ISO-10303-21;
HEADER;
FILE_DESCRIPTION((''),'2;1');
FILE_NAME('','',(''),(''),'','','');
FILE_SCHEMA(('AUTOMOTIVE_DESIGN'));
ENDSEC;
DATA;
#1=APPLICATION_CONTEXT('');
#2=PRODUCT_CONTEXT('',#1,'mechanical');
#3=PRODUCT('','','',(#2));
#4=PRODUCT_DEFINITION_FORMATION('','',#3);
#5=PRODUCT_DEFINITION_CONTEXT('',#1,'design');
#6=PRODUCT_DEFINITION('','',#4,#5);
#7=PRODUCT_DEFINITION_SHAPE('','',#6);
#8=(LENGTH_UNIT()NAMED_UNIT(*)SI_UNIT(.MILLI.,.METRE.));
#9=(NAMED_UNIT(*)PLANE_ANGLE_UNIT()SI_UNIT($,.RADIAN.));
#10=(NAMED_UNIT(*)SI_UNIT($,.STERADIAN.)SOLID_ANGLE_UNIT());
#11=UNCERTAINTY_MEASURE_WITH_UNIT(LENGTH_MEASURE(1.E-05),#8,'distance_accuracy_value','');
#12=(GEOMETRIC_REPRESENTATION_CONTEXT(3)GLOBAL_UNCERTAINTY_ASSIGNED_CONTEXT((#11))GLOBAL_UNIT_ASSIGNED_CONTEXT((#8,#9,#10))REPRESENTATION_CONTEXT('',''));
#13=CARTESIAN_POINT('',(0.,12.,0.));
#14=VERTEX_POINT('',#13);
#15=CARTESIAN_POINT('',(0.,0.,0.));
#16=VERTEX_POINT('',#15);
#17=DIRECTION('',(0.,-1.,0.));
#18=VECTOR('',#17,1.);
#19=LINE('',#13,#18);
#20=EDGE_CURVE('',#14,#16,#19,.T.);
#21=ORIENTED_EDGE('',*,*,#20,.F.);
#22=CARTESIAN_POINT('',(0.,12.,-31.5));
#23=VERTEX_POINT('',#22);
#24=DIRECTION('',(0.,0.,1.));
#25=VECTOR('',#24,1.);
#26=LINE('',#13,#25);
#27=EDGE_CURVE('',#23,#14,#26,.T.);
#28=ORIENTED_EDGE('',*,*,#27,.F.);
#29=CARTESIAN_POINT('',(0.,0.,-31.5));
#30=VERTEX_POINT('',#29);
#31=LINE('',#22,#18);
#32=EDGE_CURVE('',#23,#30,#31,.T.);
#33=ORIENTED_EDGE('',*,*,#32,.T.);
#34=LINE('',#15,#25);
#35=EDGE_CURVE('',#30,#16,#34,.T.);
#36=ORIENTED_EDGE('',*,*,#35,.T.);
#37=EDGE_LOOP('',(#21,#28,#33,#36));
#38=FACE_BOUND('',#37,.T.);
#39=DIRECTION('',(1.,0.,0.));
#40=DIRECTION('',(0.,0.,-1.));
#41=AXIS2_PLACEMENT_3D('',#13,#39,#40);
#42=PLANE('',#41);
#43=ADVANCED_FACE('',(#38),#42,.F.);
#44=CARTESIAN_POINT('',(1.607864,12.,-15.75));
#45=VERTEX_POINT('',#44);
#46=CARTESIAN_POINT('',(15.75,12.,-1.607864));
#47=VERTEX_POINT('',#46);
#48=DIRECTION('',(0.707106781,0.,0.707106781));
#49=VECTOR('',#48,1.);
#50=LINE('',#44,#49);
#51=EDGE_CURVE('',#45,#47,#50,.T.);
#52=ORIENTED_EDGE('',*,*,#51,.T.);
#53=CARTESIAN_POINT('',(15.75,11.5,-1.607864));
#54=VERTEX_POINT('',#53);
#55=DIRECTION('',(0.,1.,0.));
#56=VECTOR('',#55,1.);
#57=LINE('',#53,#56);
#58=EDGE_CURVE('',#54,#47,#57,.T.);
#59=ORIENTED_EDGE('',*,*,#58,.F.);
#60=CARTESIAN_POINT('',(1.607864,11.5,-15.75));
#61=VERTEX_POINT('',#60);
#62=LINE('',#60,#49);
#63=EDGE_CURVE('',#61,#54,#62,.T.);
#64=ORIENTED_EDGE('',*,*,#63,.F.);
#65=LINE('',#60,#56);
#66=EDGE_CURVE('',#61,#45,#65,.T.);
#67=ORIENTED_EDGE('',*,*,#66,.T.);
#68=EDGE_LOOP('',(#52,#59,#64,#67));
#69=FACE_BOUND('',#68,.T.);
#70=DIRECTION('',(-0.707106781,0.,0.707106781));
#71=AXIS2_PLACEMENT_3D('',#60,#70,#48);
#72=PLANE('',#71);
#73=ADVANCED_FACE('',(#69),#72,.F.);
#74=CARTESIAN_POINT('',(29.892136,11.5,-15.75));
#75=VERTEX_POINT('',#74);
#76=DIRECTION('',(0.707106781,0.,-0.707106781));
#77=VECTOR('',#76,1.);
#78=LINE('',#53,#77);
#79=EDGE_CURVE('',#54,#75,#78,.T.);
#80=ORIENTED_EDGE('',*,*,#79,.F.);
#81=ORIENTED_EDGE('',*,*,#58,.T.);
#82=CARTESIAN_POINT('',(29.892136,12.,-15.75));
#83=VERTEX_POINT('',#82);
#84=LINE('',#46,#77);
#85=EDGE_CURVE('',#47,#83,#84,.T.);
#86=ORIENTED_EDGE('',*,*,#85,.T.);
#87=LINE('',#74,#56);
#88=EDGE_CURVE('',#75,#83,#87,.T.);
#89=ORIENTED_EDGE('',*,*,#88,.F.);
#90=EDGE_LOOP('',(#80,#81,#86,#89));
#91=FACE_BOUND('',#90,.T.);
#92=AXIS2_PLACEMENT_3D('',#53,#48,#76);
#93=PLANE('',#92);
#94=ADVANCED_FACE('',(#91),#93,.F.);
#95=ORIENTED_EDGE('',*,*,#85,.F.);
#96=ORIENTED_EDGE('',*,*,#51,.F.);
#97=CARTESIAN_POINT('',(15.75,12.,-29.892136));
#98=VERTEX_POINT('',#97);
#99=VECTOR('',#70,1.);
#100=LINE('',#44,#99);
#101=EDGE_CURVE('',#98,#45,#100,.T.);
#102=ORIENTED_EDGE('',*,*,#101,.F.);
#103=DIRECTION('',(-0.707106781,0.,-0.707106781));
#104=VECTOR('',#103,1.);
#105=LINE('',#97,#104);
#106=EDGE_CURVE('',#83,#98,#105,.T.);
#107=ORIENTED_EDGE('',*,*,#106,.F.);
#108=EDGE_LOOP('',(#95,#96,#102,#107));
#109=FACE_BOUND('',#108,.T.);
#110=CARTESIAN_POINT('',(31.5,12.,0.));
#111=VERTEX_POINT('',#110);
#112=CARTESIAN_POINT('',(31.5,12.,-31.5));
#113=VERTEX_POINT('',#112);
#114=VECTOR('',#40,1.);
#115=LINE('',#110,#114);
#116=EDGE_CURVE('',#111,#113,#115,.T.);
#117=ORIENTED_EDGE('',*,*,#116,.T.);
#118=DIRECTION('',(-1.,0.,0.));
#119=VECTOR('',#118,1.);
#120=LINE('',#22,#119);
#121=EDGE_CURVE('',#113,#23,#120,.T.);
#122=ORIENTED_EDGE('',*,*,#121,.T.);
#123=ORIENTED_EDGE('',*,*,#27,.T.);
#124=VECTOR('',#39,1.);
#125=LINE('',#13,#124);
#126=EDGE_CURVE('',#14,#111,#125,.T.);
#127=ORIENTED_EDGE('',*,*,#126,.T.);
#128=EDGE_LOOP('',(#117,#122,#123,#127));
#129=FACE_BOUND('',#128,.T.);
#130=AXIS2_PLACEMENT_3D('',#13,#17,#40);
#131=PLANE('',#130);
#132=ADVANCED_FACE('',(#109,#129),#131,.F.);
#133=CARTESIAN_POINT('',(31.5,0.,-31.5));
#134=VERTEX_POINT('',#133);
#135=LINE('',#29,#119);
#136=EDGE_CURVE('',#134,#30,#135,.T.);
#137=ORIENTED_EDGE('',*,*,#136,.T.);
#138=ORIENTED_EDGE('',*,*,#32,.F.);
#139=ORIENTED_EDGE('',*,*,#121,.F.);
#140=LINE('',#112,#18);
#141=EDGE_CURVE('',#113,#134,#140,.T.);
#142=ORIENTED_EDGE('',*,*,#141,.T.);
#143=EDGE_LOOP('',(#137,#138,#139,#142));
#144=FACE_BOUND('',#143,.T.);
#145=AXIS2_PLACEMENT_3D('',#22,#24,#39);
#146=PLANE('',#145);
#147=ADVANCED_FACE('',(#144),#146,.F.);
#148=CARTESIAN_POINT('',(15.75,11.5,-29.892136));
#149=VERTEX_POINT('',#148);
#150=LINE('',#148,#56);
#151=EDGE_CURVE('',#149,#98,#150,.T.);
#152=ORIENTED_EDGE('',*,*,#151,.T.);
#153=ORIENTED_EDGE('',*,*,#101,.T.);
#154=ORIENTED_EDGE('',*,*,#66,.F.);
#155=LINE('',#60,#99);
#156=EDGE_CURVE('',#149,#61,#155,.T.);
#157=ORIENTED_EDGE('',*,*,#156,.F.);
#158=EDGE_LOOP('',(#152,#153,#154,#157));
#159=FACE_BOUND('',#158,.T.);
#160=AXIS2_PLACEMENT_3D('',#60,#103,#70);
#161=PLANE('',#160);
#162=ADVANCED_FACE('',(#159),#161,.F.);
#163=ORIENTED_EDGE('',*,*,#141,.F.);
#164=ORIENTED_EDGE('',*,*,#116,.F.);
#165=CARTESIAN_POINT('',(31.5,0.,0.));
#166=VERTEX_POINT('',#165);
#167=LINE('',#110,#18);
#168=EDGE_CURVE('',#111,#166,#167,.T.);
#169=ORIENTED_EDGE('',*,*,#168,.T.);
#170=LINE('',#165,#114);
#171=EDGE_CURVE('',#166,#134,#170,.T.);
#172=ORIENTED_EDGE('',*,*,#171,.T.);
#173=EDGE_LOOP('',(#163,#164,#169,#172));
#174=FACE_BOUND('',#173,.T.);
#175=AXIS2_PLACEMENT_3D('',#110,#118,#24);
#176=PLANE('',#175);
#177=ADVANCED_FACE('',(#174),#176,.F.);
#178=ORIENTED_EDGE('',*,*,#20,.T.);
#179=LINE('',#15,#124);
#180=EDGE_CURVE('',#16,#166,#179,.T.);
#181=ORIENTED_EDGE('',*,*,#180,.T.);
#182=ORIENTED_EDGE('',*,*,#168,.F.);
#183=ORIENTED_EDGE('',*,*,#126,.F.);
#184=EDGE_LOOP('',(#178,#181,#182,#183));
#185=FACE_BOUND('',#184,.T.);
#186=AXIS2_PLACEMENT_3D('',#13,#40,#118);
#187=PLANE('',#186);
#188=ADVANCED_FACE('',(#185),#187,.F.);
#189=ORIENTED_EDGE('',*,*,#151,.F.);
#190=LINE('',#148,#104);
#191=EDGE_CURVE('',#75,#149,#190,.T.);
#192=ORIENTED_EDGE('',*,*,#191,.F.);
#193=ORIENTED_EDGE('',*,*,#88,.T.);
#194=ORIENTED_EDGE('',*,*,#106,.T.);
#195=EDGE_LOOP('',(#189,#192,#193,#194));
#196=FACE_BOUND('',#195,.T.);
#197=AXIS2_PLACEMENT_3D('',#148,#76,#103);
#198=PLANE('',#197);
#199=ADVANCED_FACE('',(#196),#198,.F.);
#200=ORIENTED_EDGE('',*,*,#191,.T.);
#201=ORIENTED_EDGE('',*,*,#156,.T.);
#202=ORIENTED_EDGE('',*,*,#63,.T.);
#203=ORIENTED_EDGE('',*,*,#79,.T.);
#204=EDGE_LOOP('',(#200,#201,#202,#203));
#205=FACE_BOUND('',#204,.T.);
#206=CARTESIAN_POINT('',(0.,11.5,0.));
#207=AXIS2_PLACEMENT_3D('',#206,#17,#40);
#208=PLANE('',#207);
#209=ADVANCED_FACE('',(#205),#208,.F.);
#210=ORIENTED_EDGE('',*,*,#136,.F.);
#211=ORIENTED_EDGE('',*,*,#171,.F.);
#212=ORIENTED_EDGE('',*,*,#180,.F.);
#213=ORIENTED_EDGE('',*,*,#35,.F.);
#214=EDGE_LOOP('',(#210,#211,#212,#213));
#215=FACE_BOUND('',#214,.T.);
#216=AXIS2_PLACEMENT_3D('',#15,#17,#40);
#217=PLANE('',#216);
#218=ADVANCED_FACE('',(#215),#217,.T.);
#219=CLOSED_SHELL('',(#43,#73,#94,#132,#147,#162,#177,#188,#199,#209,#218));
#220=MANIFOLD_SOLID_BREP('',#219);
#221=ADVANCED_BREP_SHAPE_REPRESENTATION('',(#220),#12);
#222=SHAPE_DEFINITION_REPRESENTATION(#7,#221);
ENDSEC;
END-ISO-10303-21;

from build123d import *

# Parameters (mm, degrees)
SKETCH1_W           = 31.5
SKETCH1_H           = 31.5
BOSS_EXTRUDE1_DEPTH = 12
CUT_EXTRUDE1_DEPTH  = 0.5


with BuildPart() as part:
    # Sketch1 → Boss-Extrude1 (new body)
    with BuildSketch(Plane(origin=(0, 0, 0), x_dir=(1, 0, 0), z_dir=(0, 1, 0))):
        with Locations((15.75, 15.75)):
            Rectangle(SKETCH1_W, SKETCH1_H)
    extrude(amount=BOSS_EXTRUDE1_DEPTH)

    # Sketch3 → Cut-Extrude1 (cut)
    with BuildSketch(Plane(origin=(0, 12, 0), x_dir=(1, 0, 0), z_dir=(0, 1, 0))):
        Polygon((1.607864376, 15.75), (15.75, 1.607864376), (29.892135624, 15.75), (15.75, 29.892135624), align=None)
    extrude(amount=-CUT_EXTRUDE1_DEPTH, mode=Mode.SUBTRACT)


solid = part.part
